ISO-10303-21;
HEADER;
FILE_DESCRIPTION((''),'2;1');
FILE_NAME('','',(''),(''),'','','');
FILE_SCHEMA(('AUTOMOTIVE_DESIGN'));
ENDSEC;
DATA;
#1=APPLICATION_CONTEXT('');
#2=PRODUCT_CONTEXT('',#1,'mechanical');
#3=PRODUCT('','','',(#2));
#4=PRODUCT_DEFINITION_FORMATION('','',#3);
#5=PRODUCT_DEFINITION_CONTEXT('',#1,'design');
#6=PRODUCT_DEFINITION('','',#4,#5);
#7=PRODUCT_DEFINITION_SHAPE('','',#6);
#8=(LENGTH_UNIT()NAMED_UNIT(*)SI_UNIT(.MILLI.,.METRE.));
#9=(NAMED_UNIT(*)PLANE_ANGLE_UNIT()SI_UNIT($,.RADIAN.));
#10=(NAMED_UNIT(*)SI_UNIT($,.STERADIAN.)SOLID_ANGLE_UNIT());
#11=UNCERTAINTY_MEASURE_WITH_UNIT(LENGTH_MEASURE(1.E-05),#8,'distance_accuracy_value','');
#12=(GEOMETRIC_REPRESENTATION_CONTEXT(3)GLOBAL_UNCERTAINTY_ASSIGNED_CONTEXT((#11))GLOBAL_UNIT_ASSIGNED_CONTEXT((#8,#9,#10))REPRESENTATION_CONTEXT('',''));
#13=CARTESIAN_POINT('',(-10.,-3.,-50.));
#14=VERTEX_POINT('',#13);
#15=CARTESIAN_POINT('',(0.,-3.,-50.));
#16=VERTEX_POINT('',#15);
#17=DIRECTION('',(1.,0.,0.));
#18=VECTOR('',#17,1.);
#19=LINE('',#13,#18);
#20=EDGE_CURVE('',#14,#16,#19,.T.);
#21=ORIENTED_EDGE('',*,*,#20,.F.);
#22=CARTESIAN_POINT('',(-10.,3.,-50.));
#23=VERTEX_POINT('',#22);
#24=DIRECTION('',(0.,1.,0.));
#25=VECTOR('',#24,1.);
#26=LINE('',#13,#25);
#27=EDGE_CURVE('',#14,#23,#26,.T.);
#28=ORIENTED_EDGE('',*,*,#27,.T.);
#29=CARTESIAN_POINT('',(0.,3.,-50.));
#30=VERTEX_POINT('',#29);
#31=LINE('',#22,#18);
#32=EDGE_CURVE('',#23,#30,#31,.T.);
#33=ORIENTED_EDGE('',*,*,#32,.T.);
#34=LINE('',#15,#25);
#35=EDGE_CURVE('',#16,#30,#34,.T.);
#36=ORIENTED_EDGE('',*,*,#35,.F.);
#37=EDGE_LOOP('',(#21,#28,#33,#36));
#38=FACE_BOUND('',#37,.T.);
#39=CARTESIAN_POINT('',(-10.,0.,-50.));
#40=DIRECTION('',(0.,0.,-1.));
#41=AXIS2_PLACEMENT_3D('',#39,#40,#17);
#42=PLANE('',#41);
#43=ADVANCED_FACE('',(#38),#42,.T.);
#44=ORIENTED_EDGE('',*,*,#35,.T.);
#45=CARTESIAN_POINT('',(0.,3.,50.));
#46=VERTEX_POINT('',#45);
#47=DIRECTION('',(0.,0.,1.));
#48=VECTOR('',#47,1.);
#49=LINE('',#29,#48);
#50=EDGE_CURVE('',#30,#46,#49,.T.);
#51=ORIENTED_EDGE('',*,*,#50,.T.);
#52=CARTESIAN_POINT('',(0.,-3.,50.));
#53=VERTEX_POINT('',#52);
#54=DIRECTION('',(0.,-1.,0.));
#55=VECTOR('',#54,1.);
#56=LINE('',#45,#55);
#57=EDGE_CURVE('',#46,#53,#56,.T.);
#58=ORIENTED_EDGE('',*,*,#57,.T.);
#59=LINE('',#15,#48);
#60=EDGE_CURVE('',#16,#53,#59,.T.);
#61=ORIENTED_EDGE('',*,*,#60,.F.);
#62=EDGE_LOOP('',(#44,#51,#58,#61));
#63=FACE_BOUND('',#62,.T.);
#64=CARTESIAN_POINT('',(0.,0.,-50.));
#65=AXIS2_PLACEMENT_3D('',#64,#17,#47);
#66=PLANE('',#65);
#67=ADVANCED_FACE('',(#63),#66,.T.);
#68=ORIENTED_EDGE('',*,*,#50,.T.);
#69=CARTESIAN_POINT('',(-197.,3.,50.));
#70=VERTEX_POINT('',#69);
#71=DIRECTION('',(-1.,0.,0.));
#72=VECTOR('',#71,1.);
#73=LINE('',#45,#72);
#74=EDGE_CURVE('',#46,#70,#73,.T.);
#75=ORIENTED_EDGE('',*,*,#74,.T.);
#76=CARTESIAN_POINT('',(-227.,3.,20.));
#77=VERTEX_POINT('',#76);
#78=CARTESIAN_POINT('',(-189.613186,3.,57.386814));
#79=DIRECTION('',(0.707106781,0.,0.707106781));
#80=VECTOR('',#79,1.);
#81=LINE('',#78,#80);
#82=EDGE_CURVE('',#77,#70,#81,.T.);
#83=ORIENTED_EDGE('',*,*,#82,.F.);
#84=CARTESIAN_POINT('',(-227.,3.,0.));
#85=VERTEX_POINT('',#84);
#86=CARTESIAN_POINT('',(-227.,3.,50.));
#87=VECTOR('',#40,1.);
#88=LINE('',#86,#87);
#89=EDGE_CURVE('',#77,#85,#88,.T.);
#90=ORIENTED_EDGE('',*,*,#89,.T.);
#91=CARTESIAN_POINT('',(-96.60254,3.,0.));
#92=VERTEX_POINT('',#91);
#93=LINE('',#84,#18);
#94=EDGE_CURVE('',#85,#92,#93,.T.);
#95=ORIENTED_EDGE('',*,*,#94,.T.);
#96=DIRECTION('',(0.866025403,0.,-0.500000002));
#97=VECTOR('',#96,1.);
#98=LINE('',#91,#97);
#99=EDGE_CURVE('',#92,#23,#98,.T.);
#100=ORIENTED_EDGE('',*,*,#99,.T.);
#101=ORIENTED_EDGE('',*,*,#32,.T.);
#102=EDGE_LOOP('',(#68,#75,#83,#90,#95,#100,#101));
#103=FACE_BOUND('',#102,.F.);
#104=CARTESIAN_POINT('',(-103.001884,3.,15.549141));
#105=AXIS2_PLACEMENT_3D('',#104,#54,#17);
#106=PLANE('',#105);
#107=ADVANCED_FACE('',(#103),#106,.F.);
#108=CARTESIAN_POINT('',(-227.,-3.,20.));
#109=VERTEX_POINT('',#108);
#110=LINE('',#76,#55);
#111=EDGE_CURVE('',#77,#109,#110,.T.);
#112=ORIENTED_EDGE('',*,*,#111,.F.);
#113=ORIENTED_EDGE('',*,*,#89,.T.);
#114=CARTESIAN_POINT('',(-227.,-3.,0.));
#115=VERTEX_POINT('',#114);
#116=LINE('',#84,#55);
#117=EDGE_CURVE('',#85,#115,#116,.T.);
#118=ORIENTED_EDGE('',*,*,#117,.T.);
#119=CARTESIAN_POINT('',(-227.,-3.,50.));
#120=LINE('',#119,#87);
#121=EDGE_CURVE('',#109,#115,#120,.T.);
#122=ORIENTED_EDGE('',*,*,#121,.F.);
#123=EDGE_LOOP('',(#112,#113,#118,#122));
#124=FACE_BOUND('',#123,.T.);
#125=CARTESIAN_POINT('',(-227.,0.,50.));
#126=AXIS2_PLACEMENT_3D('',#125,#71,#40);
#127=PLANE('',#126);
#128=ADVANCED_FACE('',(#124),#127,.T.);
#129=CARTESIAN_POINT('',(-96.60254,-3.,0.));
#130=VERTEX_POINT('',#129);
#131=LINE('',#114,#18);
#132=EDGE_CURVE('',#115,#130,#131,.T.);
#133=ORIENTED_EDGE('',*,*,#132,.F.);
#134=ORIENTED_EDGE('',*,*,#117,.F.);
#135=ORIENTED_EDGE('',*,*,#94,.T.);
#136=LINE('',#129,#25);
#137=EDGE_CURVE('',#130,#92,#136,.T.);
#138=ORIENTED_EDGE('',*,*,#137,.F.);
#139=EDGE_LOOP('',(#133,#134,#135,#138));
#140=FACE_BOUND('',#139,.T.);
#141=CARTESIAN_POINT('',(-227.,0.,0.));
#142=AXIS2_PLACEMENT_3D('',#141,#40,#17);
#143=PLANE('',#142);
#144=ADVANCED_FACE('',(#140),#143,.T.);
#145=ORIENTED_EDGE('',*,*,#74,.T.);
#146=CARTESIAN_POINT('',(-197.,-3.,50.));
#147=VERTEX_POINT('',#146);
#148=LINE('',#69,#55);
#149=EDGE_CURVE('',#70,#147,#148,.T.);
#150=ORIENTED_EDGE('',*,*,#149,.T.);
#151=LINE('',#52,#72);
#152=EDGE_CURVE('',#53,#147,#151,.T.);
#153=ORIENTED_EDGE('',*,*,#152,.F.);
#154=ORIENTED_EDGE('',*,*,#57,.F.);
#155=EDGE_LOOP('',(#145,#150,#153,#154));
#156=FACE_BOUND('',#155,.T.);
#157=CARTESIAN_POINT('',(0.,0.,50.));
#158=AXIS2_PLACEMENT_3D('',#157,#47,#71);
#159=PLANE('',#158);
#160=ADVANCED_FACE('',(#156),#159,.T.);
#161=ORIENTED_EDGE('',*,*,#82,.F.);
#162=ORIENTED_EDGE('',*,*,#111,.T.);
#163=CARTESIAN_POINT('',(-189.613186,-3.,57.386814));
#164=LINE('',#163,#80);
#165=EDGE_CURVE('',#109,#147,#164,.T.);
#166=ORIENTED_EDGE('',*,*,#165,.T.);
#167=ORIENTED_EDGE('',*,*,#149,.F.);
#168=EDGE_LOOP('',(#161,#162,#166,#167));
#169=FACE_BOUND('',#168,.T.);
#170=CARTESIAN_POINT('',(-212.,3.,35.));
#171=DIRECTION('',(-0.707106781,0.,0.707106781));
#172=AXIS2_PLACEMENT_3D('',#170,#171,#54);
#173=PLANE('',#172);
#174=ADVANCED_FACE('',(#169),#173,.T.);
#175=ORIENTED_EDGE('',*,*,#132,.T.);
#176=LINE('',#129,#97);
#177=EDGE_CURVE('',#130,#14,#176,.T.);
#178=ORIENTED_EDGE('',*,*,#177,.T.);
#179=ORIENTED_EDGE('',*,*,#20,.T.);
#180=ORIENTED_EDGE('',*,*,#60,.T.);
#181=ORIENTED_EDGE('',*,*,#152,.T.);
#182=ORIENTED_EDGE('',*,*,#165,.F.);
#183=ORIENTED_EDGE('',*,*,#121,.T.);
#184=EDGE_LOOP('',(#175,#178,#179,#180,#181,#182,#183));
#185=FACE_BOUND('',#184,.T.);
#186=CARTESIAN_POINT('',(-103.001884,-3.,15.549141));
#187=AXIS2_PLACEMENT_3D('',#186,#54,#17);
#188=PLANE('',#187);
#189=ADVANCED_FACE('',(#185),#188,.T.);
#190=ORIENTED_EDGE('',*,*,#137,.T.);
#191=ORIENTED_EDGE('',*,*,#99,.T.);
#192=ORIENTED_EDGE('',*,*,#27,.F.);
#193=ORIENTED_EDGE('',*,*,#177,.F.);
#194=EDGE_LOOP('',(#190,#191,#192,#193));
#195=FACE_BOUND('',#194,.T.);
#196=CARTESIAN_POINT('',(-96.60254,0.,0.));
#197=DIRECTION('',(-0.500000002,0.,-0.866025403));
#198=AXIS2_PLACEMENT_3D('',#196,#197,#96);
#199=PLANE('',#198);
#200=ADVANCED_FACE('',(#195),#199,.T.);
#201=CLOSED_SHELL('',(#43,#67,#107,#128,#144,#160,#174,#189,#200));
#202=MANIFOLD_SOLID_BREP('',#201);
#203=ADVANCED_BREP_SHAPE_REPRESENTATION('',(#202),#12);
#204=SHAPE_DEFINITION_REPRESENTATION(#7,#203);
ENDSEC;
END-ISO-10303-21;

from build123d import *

# Parameters (mm, degrees)
F1_DEPTH = 3
F2_SIZE  = 30


with BuildPart() as f1:
    # F0 (on Front) → F1 (new body, symmetric)
    with BuildSketch(Plane.XZ):
        Polygon((0, -50), (0, 50), (-227, 50), (-227, 0), (-96.60254, 0), (-10, -50), align=None)
    extrude(amount=F1_DEPTH, both=True)

    # F2
    f2_edges = [f1.edges().sort_by_distance(p)[0] for p in [
        (-227, 0, 50),
    ]]
    chamfer(f2_edges, length=F2_SIZE)


solid = f1.part
